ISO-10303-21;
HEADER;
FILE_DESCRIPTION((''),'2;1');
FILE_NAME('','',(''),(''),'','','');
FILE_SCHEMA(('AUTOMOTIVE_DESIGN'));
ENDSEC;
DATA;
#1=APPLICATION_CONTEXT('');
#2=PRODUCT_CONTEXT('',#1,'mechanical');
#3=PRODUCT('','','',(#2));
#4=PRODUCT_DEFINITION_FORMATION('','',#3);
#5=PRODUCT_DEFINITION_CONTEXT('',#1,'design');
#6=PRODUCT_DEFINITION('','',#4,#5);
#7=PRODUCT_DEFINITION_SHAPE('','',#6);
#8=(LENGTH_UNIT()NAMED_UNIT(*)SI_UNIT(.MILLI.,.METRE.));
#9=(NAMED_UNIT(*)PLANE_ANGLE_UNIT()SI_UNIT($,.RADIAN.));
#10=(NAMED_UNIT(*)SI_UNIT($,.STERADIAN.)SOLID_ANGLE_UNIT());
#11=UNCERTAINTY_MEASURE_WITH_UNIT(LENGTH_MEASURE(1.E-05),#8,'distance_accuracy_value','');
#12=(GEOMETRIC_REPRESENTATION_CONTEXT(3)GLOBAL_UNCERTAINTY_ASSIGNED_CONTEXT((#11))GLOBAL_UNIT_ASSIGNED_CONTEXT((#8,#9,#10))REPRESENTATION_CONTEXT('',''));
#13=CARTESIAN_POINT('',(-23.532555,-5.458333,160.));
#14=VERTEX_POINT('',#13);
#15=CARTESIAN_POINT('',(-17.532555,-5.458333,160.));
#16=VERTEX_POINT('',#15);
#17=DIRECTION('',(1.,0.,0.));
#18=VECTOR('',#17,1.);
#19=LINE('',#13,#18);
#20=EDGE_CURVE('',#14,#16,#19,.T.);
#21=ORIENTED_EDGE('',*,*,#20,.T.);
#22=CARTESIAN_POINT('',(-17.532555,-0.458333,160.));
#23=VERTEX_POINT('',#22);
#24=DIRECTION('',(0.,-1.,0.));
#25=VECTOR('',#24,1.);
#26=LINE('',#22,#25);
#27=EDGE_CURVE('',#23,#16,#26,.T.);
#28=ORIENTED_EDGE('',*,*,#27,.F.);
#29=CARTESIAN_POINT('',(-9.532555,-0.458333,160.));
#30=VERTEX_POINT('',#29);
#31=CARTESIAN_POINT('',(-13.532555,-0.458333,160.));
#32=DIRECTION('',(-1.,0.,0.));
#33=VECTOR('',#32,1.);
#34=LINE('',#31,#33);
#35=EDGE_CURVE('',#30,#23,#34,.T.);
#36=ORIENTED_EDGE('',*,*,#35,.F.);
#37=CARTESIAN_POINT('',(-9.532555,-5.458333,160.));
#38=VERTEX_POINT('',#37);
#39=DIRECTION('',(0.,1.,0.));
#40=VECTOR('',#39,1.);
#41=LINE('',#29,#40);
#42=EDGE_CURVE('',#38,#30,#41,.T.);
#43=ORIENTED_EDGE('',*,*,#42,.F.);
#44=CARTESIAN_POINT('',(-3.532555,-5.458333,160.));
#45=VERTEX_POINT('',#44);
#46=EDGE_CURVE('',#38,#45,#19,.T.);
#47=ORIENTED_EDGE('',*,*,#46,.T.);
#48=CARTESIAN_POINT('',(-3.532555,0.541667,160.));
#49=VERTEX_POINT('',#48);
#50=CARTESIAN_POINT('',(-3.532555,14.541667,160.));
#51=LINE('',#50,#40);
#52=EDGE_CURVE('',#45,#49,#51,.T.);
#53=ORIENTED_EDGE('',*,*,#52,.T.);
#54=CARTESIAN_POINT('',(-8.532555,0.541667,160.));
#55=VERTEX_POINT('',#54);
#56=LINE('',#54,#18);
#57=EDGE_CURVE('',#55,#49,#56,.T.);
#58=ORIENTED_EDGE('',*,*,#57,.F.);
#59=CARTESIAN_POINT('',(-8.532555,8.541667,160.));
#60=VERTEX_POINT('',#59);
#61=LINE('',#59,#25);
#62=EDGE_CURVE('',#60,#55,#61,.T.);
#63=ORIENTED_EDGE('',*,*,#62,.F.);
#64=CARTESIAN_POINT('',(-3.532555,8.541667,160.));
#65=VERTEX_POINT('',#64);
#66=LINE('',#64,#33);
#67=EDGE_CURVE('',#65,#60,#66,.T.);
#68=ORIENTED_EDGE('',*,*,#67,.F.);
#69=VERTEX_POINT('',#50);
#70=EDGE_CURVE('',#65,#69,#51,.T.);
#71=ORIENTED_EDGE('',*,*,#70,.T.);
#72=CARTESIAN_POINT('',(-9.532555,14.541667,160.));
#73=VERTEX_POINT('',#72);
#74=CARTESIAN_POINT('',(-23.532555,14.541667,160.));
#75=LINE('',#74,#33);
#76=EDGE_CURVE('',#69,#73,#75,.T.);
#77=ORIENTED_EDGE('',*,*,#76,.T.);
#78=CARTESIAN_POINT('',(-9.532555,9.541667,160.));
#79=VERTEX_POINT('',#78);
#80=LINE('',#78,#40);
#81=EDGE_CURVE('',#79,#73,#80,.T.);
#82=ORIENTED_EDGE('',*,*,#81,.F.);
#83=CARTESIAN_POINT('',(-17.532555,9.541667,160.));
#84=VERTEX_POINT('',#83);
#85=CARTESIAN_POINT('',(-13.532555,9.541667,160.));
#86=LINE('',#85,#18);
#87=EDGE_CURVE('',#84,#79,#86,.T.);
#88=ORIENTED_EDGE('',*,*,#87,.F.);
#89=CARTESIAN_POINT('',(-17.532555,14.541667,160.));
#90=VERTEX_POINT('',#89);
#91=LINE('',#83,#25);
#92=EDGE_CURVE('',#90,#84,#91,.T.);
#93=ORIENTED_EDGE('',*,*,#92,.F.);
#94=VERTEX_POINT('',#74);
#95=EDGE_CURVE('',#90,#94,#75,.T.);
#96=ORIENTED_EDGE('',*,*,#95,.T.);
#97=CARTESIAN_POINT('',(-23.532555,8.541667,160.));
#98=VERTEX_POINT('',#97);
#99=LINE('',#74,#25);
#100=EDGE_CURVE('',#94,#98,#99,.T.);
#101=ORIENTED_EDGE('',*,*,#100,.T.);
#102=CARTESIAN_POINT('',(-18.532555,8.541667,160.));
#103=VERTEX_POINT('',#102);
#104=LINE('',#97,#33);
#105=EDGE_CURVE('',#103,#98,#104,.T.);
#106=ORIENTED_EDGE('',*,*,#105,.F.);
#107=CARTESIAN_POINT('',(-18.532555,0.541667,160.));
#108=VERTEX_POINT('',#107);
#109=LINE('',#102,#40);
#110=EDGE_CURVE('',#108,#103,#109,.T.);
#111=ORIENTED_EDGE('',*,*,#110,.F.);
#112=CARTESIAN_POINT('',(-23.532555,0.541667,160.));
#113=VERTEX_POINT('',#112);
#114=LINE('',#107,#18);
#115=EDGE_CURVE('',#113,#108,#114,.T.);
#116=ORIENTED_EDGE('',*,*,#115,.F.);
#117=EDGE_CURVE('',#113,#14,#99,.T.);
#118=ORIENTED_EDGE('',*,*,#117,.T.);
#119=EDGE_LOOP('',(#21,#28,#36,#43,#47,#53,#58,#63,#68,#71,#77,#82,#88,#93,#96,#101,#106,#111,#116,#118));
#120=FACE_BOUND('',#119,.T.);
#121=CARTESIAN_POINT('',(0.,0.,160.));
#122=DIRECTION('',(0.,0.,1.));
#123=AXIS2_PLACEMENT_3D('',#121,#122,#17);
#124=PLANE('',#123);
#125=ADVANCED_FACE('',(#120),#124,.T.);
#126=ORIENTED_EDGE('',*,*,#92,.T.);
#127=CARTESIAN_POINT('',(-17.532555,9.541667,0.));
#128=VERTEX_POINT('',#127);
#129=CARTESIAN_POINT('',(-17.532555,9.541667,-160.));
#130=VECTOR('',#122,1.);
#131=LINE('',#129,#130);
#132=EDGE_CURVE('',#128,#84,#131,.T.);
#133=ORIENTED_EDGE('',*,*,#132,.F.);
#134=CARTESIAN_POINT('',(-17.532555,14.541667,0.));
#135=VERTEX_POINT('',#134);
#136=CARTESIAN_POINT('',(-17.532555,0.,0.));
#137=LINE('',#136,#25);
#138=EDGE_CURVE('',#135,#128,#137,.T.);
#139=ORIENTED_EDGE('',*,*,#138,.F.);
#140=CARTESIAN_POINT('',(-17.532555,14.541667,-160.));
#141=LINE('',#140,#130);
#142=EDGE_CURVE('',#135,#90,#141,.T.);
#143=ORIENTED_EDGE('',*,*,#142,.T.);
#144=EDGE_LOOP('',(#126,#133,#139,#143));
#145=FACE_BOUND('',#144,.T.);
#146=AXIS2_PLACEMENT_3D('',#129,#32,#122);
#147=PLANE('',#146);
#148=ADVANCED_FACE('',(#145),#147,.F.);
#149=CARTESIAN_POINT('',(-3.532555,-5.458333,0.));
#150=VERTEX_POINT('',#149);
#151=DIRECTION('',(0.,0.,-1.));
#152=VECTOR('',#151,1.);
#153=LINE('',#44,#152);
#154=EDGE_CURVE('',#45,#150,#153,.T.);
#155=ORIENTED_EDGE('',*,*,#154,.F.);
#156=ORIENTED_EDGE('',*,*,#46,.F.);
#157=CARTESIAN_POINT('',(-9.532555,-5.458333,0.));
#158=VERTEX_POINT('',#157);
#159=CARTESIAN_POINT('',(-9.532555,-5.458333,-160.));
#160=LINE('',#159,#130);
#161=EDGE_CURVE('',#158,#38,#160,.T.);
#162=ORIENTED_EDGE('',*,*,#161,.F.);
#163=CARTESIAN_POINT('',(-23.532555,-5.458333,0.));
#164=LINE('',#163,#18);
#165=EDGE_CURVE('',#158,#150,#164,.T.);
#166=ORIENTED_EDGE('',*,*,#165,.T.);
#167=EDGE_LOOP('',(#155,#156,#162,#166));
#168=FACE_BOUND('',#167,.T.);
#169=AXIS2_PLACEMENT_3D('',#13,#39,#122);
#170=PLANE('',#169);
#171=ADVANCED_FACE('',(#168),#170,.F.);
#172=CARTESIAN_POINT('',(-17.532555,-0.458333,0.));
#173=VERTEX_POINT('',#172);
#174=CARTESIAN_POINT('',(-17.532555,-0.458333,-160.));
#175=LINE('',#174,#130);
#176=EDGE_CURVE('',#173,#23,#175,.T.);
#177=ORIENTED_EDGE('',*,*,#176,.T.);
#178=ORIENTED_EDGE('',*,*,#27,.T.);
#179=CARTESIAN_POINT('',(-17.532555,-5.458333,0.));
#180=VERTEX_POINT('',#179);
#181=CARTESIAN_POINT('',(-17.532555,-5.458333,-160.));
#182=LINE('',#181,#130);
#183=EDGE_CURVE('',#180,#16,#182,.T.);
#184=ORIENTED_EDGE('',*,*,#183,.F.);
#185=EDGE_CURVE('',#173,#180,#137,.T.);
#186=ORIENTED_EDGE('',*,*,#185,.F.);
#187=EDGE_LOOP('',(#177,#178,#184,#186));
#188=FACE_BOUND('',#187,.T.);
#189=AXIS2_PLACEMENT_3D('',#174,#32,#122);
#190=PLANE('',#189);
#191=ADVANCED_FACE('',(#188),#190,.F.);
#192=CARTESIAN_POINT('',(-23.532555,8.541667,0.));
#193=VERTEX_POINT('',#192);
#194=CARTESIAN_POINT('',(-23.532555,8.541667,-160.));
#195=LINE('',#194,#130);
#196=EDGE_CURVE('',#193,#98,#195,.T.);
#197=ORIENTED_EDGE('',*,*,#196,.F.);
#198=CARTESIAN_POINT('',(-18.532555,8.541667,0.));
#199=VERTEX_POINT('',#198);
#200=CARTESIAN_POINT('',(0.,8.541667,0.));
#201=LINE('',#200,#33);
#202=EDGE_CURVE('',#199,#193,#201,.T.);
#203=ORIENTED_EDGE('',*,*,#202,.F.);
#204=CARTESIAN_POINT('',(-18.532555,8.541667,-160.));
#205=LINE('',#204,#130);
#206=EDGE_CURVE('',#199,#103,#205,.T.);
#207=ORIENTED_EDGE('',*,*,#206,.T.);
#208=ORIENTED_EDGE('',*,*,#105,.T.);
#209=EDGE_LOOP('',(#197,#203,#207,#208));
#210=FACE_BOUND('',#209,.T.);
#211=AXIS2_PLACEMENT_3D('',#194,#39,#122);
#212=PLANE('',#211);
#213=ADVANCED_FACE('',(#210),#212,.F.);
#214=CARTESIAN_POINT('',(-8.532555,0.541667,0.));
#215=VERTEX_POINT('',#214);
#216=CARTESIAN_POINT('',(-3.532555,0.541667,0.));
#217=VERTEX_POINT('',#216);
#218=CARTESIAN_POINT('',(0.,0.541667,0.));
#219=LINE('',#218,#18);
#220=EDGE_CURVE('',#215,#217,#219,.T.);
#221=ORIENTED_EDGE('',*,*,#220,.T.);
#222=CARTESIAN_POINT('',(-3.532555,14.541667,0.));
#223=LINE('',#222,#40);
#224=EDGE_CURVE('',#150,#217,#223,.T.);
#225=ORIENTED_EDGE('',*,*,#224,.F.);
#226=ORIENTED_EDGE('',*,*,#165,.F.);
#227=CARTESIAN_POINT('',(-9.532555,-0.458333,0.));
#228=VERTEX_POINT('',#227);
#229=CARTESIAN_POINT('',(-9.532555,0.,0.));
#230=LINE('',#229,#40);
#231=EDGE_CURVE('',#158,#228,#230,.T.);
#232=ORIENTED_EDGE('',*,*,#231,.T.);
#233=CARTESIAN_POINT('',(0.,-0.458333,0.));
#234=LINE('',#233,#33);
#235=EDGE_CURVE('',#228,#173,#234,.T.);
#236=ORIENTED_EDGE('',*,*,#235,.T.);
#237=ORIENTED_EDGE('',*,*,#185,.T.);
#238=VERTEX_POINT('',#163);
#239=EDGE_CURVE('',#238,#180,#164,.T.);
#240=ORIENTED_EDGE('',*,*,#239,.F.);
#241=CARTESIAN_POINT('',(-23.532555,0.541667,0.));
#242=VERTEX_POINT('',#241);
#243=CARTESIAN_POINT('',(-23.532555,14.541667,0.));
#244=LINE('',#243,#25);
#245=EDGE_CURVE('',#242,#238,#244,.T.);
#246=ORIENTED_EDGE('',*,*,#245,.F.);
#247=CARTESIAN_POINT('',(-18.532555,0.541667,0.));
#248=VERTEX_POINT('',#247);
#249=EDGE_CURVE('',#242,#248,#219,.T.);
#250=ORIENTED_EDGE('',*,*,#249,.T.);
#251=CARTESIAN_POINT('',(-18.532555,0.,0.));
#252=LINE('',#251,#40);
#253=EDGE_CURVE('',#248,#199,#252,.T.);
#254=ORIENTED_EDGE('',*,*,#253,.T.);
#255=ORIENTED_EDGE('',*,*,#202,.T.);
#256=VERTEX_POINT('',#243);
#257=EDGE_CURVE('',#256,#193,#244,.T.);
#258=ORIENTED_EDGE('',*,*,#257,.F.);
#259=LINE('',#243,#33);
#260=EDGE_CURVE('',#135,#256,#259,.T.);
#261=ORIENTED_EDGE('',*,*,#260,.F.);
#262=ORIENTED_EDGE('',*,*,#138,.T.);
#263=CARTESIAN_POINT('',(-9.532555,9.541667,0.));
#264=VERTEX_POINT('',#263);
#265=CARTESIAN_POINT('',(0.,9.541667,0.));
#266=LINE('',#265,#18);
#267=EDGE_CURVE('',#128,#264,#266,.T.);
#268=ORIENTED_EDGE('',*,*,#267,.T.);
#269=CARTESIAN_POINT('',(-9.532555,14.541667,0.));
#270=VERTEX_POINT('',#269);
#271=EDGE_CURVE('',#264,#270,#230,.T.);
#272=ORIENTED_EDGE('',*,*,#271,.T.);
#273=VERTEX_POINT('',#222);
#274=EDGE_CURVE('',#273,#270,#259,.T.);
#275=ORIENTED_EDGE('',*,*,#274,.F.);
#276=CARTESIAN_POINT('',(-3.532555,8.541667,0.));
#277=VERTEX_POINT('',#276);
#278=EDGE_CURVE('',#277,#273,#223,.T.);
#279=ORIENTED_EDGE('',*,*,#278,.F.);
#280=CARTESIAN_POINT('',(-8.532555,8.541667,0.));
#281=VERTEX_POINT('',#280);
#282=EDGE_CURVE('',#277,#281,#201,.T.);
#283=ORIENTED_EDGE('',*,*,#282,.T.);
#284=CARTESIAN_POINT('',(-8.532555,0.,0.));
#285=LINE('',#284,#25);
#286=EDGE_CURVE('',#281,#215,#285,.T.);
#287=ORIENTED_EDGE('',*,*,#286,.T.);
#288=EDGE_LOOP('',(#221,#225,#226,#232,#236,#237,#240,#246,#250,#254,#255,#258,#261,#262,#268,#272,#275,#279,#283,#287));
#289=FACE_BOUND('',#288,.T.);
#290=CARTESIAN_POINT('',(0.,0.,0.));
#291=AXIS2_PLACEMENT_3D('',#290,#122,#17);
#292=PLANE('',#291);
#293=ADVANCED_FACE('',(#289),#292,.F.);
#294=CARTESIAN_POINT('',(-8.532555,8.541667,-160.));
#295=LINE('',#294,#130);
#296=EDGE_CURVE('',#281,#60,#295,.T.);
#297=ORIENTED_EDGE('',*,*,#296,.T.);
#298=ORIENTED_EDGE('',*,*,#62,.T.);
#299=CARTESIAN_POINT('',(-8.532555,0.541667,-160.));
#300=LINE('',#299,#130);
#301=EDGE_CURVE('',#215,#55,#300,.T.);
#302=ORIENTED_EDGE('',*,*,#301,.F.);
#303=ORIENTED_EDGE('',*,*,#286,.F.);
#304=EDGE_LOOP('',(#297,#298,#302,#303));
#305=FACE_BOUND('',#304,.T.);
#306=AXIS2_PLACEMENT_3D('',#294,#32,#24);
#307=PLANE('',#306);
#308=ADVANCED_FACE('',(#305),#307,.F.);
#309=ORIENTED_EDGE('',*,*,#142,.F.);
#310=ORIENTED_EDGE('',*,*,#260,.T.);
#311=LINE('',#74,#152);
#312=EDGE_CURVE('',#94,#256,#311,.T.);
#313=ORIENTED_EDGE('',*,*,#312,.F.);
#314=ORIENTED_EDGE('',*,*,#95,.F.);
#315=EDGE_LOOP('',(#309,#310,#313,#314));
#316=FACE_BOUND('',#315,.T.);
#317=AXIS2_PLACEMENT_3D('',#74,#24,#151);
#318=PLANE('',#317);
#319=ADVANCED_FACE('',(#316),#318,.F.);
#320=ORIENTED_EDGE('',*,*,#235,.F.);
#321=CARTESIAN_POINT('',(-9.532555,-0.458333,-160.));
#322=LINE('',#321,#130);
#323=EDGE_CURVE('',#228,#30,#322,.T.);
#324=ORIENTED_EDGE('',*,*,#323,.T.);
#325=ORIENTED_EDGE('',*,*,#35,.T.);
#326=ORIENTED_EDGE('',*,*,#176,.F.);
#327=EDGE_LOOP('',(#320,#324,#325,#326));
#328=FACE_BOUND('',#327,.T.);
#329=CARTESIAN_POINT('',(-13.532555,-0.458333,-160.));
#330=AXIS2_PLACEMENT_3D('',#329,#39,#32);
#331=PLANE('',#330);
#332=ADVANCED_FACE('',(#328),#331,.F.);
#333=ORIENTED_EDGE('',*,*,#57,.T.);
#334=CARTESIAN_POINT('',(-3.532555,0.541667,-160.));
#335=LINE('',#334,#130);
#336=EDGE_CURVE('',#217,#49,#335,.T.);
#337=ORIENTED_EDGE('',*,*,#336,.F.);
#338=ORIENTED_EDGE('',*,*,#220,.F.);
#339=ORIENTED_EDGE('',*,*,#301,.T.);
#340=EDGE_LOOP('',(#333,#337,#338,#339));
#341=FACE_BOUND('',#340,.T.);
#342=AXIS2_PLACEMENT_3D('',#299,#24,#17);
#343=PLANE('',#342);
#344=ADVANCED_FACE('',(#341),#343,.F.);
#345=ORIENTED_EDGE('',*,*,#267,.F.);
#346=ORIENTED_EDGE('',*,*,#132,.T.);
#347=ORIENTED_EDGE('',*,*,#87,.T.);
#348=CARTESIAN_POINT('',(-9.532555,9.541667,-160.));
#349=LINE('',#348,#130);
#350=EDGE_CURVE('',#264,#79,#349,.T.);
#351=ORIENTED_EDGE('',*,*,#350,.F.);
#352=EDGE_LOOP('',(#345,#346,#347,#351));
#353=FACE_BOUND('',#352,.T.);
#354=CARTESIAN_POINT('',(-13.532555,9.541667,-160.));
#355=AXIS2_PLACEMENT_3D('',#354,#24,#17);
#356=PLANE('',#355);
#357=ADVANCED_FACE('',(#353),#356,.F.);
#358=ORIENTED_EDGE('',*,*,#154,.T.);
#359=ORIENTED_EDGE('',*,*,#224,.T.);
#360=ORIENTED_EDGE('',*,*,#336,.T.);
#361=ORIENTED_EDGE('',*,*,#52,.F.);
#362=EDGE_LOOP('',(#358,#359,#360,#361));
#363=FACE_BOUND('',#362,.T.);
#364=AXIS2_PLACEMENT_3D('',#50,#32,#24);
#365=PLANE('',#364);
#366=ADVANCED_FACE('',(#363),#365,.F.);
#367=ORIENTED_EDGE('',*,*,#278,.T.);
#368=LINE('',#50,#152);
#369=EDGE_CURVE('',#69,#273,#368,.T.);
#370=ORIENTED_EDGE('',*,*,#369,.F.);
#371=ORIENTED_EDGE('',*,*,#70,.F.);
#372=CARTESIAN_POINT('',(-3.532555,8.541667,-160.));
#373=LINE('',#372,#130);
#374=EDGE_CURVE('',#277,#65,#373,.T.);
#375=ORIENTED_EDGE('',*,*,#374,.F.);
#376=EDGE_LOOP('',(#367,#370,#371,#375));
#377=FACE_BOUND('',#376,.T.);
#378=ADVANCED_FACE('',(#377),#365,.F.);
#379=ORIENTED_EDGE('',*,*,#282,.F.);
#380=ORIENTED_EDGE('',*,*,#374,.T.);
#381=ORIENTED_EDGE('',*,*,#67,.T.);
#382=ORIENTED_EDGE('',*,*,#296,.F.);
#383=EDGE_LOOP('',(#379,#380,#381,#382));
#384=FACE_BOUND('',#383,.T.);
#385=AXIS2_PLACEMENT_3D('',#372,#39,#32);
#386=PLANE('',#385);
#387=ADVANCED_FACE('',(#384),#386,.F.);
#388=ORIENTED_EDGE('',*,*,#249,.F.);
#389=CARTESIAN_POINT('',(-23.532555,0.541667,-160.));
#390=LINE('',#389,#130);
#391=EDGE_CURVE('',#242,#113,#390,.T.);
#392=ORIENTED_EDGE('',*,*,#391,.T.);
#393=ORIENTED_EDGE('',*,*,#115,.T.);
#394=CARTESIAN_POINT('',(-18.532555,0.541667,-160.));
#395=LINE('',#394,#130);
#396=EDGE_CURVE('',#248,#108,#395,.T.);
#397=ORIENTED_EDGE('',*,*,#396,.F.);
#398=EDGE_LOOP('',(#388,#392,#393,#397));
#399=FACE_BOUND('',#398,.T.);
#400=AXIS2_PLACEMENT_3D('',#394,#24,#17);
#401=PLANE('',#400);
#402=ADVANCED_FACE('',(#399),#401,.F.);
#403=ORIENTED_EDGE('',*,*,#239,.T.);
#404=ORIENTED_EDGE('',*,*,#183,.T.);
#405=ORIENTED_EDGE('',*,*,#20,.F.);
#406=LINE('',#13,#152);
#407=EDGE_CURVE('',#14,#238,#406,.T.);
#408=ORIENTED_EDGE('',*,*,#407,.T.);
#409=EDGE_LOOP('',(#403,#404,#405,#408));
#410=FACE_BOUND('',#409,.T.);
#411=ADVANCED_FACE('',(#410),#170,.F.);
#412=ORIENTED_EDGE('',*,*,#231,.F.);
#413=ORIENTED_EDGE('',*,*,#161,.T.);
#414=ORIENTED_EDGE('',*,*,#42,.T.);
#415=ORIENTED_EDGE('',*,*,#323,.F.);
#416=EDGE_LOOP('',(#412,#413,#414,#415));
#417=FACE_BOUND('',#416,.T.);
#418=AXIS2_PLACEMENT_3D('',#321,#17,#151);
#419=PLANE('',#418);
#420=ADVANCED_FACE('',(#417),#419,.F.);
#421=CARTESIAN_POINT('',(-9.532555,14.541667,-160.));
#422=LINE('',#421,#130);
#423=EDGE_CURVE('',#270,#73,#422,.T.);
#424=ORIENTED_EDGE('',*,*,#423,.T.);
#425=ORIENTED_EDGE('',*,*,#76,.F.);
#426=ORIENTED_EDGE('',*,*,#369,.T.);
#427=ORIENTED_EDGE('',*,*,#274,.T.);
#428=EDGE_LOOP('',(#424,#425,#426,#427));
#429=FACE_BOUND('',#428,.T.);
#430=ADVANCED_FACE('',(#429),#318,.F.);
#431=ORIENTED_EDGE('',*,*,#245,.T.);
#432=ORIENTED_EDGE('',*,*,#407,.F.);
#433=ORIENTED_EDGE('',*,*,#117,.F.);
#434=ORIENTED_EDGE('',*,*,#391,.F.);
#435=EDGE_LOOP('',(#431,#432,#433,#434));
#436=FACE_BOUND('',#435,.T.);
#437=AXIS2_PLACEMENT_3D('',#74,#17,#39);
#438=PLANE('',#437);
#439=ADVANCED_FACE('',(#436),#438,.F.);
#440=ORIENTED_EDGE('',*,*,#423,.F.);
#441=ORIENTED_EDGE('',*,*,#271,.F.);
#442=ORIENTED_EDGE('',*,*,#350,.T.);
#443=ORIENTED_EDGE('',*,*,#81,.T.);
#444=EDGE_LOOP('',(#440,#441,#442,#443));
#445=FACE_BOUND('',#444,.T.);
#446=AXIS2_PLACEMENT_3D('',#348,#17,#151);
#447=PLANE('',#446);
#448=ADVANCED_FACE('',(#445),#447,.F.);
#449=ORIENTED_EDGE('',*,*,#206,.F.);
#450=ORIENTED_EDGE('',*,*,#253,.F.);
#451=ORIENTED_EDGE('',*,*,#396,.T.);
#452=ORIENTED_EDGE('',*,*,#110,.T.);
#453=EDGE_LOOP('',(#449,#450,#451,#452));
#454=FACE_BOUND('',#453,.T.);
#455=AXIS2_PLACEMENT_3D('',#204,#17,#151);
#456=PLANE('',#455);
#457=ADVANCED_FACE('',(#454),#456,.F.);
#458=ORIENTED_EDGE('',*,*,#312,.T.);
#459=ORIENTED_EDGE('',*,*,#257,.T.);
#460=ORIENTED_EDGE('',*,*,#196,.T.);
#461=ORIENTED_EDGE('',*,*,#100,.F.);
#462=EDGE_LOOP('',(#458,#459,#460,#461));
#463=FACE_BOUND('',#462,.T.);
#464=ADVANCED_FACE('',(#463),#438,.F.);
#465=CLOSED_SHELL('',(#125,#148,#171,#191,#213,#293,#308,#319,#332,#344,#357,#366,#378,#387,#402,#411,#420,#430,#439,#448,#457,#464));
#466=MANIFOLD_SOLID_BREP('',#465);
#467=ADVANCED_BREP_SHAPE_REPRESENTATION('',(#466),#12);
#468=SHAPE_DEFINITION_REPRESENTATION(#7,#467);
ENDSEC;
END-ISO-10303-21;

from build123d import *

# Parameters (mm, degrees)
CROQUIS1_W              = 20
CROQUIS1_H              = 20
SALIENTE_EXTRUIR1_DEPTH = 160
CORTAR_EXTRUIR1_DEPTH   = 320


with BuildPart() as part:
    # Croquis1 → Saliente-Extruir1 (new body)
    with BuildSketch(Plane.XY):
        with Locations((-13.532555049, 4.541666667)):
            Rectangle(CROQUIS1_W, CROQUIS1_H)
    extrude(amount=SALIENTE_EXTRUIR1_DEPTH)

    # Croquis2 → Cortar-Extruir1 (cut)
    with BuildSketch(Plane.XY.offset(160)):
        Polygon((-13.532555049, 9.541666667), (-17.532555049, 9.541666667), (-17.532555049, 14.541666667), (-9.532555049, 14.541666667), (-9.532555049, 9.541666667), align=None)
        Polygon((-9.532555049, -0.458333333), (-9.532555049, -5.458333333), (-17.532555049, -5.458333333), (-17.532555049, -0.458333333), (-13.532555049, -0.458333333), align=None)
        Polygon((-23.532555049, 4.541666667), (-23.532555049, 8.541666667), (-18.532555049, 8.541666667), (-18.532555049, 0.541666667), (-23.532555049, 0.541666667), align=None)
        Polygon((-8.532555049, 8.541666667), (-8.532555049, 0.541666667), (-3.532555049, 0.541666667), (-3.532555049, 4.541666667), (-3.532555049, 8.541666667), align=None)
    extrude(amount=-CORTAR_EXTRUIR1_DEPTH, mode=Mode.SUBTRACT)


solid = part.part
